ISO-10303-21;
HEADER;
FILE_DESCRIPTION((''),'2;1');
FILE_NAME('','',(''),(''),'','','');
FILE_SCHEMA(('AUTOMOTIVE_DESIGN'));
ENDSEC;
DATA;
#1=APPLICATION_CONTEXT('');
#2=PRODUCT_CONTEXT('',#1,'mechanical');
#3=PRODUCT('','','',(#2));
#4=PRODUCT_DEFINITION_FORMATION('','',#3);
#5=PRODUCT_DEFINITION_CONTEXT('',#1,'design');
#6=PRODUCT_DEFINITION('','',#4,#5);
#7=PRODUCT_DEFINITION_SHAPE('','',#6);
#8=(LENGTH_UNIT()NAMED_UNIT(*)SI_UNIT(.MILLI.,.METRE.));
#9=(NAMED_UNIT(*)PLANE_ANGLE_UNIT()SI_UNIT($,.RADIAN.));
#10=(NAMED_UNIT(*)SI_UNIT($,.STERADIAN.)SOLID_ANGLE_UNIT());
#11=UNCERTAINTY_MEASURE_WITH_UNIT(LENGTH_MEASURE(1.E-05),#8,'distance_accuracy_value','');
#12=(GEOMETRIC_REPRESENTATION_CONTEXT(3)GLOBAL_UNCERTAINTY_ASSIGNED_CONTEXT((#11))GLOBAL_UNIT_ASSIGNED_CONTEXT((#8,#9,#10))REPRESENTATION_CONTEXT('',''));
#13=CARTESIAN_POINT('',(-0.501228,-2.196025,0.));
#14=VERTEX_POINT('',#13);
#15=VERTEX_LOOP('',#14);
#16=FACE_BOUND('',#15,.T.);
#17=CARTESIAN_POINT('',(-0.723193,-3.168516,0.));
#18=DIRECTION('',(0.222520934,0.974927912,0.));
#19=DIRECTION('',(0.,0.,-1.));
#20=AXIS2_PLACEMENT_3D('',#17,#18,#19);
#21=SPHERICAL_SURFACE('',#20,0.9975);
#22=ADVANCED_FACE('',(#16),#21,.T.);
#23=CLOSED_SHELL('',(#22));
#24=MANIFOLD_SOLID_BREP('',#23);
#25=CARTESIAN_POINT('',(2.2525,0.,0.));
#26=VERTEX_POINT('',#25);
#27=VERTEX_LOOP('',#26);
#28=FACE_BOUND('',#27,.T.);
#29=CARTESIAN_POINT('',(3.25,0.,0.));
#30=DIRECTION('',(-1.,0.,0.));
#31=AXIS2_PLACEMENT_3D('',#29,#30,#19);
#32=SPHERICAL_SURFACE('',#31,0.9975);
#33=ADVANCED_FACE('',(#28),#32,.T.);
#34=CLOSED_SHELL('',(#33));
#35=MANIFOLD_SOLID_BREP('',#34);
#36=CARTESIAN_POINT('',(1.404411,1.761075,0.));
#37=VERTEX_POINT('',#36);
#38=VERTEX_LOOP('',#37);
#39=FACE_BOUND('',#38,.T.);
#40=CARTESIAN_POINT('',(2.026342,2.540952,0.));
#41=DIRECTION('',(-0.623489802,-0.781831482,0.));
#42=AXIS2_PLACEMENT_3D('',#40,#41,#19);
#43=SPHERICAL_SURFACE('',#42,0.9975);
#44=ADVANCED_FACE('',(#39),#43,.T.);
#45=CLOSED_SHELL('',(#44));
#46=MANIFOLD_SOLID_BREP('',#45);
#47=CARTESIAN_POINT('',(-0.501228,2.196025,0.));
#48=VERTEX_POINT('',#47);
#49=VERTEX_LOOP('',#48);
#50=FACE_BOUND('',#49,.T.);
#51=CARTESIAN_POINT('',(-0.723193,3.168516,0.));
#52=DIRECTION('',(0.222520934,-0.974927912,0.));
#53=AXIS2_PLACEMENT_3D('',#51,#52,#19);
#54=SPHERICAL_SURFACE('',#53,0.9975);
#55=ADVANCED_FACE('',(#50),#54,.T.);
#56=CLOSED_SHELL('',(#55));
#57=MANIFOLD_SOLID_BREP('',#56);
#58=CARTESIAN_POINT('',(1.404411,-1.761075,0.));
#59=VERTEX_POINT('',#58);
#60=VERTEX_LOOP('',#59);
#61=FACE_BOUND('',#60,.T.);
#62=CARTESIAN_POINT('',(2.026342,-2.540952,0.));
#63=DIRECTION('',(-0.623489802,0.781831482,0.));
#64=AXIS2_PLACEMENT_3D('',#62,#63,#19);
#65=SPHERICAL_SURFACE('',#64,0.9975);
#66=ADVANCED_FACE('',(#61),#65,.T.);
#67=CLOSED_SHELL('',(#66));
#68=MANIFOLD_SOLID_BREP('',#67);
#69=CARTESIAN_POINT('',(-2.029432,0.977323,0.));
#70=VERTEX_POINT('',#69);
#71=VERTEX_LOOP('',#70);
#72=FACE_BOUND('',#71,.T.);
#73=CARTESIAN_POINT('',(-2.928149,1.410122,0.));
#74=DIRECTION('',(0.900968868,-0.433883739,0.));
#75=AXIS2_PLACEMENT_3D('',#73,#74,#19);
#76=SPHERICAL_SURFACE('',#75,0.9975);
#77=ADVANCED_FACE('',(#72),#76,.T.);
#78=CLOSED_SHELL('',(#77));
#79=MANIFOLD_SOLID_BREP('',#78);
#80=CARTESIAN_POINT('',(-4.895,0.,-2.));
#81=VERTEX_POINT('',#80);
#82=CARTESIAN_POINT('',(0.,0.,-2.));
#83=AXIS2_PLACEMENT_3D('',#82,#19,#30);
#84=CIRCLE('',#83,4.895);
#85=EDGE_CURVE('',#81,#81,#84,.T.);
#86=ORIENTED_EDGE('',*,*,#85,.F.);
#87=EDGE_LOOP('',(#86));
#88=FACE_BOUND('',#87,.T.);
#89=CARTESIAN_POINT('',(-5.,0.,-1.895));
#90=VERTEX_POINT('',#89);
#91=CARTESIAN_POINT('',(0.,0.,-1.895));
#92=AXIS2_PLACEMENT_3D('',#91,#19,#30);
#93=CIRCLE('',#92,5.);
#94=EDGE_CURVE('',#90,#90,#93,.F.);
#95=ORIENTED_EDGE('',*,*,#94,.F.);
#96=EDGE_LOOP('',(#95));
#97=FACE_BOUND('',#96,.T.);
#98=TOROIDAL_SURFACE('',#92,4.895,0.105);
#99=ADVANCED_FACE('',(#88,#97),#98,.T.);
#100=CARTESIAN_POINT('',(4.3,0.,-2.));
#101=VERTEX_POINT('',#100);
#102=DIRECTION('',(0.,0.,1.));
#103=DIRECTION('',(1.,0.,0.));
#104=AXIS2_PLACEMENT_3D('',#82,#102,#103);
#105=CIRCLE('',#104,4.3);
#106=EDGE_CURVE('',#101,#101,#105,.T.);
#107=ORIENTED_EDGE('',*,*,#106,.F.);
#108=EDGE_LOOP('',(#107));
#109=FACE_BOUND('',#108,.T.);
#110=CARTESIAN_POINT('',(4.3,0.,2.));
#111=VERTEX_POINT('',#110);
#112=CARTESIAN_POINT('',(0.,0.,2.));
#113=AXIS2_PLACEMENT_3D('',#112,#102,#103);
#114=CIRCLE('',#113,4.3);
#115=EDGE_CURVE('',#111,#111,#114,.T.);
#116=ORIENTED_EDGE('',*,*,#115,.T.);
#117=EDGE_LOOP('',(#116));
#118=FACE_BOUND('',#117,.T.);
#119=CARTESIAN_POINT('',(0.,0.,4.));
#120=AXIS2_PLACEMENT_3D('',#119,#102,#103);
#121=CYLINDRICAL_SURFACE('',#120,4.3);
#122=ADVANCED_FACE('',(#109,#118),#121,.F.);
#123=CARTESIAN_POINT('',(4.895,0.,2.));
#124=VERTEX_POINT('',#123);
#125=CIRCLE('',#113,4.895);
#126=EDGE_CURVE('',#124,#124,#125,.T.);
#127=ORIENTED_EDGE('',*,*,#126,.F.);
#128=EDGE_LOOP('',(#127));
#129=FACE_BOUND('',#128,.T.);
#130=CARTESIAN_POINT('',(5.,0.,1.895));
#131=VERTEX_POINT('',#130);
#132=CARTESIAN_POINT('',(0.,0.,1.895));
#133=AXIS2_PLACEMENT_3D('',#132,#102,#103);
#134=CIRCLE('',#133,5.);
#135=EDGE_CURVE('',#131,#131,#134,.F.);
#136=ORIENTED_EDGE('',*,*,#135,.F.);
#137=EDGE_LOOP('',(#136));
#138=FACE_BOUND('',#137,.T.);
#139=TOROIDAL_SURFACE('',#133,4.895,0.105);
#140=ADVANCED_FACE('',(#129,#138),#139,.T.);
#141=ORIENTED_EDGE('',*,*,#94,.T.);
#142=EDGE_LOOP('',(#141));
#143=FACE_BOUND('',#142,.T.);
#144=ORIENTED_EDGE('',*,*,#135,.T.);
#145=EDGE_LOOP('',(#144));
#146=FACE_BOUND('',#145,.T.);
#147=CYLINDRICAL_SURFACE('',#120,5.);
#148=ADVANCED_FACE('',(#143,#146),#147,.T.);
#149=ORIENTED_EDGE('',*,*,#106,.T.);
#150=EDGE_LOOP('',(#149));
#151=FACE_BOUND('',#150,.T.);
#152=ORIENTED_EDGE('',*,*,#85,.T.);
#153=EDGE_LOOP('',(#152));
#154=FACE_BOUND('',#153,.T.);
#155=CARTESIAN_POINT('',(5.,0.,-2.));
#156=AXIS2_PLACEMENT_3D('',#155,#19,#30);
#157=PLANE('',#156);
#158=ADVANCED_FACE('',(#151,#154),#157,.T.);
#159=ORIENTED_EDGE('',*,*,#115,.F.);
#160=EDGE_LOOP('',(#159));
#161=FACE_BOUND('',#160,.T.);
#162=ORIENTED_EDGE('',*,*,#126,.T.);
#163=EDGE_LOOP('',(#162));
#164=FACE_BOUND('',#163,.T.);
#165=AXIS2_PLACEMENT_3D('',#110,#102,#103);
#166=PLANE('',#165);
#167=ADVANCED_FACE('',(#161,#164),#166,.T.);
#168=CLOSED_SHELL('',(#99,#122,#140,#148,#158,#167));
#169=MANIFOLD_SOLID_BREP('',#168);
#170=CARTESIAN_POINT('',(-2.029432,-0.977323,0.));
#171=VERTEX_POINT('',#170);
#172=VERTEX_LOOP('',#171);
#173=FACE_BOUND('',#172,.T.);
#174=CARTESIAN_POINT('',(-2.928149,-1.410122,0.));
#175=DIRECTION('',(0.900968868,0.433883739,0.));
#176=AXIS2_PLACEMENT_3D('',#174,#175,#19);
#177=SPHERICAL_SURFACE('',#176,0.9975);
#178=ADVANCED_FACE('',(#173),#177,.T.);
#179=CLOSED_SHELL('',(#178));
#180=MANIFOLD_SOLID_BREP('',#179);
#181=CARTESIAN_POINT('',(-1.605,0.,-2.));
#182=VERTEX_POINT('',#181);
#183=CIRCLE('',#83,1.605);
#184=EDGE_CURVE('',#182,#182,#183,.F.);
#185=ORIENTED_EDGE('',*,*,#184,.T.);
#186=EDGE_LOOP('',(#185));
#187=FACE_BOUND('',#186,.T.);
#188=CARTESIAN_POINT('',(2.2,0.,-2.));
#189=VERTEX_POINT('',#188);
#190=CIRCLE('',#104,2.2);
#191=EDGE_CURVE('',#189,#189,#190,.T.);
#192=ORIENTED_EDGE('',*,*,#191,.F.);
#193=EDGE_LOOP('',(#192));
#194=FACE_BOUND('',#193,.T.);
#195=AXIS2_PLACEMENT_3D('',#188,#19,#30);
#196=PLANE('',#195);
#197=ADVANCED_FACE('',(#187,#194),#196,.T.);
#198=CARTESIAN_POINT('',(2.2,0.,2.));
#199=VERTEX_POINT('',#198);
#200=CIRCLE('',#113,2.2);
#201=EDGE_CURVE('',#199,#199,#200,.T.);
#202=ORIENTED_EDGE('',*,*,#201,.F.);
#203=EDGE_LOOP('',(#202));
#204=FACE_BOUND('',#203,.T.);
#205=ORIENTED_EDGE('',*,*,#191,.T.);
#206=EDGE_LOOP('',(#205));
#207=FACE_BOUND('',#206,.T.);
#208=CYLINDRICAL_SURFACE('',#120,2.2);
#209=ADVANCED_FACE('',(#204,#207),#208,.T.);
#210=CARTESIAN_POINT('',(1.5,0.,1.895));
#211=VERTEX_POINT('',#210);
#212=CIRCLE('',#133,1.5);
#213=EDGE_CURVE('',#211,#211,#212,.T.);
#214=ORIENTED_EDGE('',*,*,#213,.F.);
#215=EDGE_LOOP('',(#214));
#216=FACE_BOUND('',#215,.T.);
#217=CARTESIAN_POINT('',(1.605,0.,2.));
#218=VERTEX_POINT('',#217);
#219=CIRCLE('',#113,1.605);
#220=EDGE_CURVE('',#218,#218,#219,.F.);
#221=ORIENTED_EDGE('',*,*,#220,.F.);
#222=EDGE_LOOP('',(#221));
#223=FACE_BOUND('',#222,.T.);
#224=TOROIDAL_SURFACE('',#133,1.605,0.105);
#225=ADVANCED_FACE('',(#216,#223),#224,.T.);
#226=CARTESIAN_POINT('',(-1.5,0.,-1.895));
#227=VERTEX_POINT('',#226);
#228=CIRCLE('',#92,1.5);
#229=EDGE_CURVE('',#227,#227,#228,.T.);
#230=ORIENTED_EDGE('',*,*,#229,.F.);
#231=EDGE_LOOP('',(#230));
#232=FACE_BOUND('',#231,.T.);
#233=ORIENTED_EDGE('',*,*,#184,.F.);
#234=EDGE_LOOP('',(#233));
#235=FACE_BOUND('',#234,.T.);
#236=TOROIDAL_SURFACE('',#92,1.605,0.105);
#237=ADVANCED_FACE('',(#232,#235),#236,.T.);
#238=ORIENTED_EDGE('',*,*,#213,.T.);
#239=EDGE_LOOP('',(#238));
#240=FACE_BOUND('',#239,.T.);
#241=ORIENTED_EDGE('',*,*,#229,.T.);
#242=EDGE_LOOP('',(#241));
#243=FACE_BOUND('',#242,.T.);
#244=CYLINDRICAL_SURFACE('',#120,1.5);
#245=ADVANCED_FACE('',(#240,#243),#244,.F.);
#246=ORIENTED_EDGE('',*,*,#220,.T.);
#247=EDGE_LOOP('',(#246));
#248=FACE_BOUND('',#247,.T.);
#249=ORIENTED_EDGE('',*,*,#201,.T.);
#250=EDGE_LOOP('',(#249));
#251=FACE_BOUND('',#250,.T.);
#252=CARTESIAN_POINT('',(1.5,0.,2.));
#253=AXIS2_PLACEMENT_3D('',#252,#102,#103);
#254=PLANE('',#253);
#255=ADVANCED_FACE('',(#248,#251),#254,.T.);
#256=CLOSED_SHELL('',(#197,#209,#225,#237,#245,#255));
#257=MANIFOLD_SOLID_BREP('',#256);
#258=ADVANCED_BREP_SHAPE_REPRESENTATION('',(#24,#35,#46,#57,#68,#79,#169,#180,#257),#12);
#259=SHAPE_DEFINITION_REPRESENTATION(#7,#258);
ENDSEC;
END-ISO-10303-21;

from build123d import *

# Parameters (mm, degrees)
INNERS_W           = 0.7
INNERS_H           = 4
OUTERS_W           = 0.7
OUTERS_H           = 4
BALLSPATTERN_COUNT = 7
FILLET_F1_R        = 0.105
FILLET_F2_R        = 0.105


with BuildPart() as part:
    # InnerS → InnerRing (revolve)
    with BuildSketch(Plane(origin=(0, 0, 0), x_dir=(1, 0, 0), z_dir=(0, 1, 0))):
        with Locations((1.85, 0)):
            Rectangle(INNERS_W, INNERS_H)
    revolve(axis=Axis((0, 0, 4), (0, 0, -1)))

    # Fillet F2
    fillet_f2_edges = [part.edges().sort_by_distance(p)[0] for p in [
        (-1.5, 0, -2),
        (-1.5, 0, 2),
    ]]
    fillet(fillet_f2_edges, radius=FILLET_F2_R)


with BuildPart() as body_2:
    # OuterS → OuterRing (revolve)
    with BuildSketch(Plane(origin=(0, 0, 0), x_dir=(1, 0, 0), z_dir=(0, 1, 0))):
        with Locations((4.65, 0)):
            Rectangle(OUTERS_W, OUTERS_H)
    revolve(axis=Axis((0, 0, 4), (0, 0, -1)))

    # Fillet F1
    fillet_f1_edges = [body_2.edges().sort_by_distance(p)[0] for p in [
        (-5, 0, -2),
        (-5, 0, 2),
    ]]
    fillet(fillet_f1_edges, radius=FILLET_F1_R)


with BuildPart() as body_3:
    # BallS → Ball (revolve)
    with BuildSketch(Plane(origin=(0, 0, 0), x_dir=(1, 0, 0), z_dir=(0, 1, 0))):
        with BuildLine():
            Line((2.2525, 0), (4.2475, 0))
            ThreePointArc((4.2475, 0), (3.25, -0.9975), (2.2525, 0))
        make_face()
    revolve(axis=Axis((2.2525, 0, 0), (1, 0, 0)))


with BuildPart() as ballspattern_1:
    # BallsPattern: pattern copy
    add(body_3.part.rotate(Axis((0, 0, 0), (0, 0, 1)), 1 * 360 / BALLSPATTERN_COUNT))


with BuildPart() as ballspattern_2:
    # BallsPattern: pattern copy
    add(body_3.part.rotate(Axis((0, 0, 0), (0, 0, 1)), 2 * 360 / BALLSPATTERN_COUNT))


with BuildPart() as ballspattern_3:
    # BallsPattern: pattern copy
    add(body_3.part.rotate(Axis((0, 0, 0), (0, 0, 1)), 3 * 360 / BALLSPATTERN_COUNT))


with BuildPart() as ballspattern_4:
    # BallsPattern: pattern copy
    add(body_3.part.rotate(Axis((0, 0, 0), (0, 0, 1)), 4 * 360 / BALLSPATTERN_COUNT))


with BuildPart() as ballspattern_5:
    # BallsPattern: pattern copy
    add(body_3.part.rotate(Axis((0, 0, 0), (0, 0, 1)), 5 * 360 / BALLSPATTERN_COUNT))


with BuildPart() as ballspattern_6:
    # BallsPattern: pattern copy
    add(body_3.part.rotate(Axis((0, 0, 0), (0, 0, 1)), 6 * 360 / BALLSPATTERN_COUNT))


solid = Compound([part.part, body_2.part, body_3.part, ballspattern_1.part, ballspattern_2.part, ballspattern_3.part, ballspattern_4.part, ballspattern_5.part, ballspattern_6.part])
